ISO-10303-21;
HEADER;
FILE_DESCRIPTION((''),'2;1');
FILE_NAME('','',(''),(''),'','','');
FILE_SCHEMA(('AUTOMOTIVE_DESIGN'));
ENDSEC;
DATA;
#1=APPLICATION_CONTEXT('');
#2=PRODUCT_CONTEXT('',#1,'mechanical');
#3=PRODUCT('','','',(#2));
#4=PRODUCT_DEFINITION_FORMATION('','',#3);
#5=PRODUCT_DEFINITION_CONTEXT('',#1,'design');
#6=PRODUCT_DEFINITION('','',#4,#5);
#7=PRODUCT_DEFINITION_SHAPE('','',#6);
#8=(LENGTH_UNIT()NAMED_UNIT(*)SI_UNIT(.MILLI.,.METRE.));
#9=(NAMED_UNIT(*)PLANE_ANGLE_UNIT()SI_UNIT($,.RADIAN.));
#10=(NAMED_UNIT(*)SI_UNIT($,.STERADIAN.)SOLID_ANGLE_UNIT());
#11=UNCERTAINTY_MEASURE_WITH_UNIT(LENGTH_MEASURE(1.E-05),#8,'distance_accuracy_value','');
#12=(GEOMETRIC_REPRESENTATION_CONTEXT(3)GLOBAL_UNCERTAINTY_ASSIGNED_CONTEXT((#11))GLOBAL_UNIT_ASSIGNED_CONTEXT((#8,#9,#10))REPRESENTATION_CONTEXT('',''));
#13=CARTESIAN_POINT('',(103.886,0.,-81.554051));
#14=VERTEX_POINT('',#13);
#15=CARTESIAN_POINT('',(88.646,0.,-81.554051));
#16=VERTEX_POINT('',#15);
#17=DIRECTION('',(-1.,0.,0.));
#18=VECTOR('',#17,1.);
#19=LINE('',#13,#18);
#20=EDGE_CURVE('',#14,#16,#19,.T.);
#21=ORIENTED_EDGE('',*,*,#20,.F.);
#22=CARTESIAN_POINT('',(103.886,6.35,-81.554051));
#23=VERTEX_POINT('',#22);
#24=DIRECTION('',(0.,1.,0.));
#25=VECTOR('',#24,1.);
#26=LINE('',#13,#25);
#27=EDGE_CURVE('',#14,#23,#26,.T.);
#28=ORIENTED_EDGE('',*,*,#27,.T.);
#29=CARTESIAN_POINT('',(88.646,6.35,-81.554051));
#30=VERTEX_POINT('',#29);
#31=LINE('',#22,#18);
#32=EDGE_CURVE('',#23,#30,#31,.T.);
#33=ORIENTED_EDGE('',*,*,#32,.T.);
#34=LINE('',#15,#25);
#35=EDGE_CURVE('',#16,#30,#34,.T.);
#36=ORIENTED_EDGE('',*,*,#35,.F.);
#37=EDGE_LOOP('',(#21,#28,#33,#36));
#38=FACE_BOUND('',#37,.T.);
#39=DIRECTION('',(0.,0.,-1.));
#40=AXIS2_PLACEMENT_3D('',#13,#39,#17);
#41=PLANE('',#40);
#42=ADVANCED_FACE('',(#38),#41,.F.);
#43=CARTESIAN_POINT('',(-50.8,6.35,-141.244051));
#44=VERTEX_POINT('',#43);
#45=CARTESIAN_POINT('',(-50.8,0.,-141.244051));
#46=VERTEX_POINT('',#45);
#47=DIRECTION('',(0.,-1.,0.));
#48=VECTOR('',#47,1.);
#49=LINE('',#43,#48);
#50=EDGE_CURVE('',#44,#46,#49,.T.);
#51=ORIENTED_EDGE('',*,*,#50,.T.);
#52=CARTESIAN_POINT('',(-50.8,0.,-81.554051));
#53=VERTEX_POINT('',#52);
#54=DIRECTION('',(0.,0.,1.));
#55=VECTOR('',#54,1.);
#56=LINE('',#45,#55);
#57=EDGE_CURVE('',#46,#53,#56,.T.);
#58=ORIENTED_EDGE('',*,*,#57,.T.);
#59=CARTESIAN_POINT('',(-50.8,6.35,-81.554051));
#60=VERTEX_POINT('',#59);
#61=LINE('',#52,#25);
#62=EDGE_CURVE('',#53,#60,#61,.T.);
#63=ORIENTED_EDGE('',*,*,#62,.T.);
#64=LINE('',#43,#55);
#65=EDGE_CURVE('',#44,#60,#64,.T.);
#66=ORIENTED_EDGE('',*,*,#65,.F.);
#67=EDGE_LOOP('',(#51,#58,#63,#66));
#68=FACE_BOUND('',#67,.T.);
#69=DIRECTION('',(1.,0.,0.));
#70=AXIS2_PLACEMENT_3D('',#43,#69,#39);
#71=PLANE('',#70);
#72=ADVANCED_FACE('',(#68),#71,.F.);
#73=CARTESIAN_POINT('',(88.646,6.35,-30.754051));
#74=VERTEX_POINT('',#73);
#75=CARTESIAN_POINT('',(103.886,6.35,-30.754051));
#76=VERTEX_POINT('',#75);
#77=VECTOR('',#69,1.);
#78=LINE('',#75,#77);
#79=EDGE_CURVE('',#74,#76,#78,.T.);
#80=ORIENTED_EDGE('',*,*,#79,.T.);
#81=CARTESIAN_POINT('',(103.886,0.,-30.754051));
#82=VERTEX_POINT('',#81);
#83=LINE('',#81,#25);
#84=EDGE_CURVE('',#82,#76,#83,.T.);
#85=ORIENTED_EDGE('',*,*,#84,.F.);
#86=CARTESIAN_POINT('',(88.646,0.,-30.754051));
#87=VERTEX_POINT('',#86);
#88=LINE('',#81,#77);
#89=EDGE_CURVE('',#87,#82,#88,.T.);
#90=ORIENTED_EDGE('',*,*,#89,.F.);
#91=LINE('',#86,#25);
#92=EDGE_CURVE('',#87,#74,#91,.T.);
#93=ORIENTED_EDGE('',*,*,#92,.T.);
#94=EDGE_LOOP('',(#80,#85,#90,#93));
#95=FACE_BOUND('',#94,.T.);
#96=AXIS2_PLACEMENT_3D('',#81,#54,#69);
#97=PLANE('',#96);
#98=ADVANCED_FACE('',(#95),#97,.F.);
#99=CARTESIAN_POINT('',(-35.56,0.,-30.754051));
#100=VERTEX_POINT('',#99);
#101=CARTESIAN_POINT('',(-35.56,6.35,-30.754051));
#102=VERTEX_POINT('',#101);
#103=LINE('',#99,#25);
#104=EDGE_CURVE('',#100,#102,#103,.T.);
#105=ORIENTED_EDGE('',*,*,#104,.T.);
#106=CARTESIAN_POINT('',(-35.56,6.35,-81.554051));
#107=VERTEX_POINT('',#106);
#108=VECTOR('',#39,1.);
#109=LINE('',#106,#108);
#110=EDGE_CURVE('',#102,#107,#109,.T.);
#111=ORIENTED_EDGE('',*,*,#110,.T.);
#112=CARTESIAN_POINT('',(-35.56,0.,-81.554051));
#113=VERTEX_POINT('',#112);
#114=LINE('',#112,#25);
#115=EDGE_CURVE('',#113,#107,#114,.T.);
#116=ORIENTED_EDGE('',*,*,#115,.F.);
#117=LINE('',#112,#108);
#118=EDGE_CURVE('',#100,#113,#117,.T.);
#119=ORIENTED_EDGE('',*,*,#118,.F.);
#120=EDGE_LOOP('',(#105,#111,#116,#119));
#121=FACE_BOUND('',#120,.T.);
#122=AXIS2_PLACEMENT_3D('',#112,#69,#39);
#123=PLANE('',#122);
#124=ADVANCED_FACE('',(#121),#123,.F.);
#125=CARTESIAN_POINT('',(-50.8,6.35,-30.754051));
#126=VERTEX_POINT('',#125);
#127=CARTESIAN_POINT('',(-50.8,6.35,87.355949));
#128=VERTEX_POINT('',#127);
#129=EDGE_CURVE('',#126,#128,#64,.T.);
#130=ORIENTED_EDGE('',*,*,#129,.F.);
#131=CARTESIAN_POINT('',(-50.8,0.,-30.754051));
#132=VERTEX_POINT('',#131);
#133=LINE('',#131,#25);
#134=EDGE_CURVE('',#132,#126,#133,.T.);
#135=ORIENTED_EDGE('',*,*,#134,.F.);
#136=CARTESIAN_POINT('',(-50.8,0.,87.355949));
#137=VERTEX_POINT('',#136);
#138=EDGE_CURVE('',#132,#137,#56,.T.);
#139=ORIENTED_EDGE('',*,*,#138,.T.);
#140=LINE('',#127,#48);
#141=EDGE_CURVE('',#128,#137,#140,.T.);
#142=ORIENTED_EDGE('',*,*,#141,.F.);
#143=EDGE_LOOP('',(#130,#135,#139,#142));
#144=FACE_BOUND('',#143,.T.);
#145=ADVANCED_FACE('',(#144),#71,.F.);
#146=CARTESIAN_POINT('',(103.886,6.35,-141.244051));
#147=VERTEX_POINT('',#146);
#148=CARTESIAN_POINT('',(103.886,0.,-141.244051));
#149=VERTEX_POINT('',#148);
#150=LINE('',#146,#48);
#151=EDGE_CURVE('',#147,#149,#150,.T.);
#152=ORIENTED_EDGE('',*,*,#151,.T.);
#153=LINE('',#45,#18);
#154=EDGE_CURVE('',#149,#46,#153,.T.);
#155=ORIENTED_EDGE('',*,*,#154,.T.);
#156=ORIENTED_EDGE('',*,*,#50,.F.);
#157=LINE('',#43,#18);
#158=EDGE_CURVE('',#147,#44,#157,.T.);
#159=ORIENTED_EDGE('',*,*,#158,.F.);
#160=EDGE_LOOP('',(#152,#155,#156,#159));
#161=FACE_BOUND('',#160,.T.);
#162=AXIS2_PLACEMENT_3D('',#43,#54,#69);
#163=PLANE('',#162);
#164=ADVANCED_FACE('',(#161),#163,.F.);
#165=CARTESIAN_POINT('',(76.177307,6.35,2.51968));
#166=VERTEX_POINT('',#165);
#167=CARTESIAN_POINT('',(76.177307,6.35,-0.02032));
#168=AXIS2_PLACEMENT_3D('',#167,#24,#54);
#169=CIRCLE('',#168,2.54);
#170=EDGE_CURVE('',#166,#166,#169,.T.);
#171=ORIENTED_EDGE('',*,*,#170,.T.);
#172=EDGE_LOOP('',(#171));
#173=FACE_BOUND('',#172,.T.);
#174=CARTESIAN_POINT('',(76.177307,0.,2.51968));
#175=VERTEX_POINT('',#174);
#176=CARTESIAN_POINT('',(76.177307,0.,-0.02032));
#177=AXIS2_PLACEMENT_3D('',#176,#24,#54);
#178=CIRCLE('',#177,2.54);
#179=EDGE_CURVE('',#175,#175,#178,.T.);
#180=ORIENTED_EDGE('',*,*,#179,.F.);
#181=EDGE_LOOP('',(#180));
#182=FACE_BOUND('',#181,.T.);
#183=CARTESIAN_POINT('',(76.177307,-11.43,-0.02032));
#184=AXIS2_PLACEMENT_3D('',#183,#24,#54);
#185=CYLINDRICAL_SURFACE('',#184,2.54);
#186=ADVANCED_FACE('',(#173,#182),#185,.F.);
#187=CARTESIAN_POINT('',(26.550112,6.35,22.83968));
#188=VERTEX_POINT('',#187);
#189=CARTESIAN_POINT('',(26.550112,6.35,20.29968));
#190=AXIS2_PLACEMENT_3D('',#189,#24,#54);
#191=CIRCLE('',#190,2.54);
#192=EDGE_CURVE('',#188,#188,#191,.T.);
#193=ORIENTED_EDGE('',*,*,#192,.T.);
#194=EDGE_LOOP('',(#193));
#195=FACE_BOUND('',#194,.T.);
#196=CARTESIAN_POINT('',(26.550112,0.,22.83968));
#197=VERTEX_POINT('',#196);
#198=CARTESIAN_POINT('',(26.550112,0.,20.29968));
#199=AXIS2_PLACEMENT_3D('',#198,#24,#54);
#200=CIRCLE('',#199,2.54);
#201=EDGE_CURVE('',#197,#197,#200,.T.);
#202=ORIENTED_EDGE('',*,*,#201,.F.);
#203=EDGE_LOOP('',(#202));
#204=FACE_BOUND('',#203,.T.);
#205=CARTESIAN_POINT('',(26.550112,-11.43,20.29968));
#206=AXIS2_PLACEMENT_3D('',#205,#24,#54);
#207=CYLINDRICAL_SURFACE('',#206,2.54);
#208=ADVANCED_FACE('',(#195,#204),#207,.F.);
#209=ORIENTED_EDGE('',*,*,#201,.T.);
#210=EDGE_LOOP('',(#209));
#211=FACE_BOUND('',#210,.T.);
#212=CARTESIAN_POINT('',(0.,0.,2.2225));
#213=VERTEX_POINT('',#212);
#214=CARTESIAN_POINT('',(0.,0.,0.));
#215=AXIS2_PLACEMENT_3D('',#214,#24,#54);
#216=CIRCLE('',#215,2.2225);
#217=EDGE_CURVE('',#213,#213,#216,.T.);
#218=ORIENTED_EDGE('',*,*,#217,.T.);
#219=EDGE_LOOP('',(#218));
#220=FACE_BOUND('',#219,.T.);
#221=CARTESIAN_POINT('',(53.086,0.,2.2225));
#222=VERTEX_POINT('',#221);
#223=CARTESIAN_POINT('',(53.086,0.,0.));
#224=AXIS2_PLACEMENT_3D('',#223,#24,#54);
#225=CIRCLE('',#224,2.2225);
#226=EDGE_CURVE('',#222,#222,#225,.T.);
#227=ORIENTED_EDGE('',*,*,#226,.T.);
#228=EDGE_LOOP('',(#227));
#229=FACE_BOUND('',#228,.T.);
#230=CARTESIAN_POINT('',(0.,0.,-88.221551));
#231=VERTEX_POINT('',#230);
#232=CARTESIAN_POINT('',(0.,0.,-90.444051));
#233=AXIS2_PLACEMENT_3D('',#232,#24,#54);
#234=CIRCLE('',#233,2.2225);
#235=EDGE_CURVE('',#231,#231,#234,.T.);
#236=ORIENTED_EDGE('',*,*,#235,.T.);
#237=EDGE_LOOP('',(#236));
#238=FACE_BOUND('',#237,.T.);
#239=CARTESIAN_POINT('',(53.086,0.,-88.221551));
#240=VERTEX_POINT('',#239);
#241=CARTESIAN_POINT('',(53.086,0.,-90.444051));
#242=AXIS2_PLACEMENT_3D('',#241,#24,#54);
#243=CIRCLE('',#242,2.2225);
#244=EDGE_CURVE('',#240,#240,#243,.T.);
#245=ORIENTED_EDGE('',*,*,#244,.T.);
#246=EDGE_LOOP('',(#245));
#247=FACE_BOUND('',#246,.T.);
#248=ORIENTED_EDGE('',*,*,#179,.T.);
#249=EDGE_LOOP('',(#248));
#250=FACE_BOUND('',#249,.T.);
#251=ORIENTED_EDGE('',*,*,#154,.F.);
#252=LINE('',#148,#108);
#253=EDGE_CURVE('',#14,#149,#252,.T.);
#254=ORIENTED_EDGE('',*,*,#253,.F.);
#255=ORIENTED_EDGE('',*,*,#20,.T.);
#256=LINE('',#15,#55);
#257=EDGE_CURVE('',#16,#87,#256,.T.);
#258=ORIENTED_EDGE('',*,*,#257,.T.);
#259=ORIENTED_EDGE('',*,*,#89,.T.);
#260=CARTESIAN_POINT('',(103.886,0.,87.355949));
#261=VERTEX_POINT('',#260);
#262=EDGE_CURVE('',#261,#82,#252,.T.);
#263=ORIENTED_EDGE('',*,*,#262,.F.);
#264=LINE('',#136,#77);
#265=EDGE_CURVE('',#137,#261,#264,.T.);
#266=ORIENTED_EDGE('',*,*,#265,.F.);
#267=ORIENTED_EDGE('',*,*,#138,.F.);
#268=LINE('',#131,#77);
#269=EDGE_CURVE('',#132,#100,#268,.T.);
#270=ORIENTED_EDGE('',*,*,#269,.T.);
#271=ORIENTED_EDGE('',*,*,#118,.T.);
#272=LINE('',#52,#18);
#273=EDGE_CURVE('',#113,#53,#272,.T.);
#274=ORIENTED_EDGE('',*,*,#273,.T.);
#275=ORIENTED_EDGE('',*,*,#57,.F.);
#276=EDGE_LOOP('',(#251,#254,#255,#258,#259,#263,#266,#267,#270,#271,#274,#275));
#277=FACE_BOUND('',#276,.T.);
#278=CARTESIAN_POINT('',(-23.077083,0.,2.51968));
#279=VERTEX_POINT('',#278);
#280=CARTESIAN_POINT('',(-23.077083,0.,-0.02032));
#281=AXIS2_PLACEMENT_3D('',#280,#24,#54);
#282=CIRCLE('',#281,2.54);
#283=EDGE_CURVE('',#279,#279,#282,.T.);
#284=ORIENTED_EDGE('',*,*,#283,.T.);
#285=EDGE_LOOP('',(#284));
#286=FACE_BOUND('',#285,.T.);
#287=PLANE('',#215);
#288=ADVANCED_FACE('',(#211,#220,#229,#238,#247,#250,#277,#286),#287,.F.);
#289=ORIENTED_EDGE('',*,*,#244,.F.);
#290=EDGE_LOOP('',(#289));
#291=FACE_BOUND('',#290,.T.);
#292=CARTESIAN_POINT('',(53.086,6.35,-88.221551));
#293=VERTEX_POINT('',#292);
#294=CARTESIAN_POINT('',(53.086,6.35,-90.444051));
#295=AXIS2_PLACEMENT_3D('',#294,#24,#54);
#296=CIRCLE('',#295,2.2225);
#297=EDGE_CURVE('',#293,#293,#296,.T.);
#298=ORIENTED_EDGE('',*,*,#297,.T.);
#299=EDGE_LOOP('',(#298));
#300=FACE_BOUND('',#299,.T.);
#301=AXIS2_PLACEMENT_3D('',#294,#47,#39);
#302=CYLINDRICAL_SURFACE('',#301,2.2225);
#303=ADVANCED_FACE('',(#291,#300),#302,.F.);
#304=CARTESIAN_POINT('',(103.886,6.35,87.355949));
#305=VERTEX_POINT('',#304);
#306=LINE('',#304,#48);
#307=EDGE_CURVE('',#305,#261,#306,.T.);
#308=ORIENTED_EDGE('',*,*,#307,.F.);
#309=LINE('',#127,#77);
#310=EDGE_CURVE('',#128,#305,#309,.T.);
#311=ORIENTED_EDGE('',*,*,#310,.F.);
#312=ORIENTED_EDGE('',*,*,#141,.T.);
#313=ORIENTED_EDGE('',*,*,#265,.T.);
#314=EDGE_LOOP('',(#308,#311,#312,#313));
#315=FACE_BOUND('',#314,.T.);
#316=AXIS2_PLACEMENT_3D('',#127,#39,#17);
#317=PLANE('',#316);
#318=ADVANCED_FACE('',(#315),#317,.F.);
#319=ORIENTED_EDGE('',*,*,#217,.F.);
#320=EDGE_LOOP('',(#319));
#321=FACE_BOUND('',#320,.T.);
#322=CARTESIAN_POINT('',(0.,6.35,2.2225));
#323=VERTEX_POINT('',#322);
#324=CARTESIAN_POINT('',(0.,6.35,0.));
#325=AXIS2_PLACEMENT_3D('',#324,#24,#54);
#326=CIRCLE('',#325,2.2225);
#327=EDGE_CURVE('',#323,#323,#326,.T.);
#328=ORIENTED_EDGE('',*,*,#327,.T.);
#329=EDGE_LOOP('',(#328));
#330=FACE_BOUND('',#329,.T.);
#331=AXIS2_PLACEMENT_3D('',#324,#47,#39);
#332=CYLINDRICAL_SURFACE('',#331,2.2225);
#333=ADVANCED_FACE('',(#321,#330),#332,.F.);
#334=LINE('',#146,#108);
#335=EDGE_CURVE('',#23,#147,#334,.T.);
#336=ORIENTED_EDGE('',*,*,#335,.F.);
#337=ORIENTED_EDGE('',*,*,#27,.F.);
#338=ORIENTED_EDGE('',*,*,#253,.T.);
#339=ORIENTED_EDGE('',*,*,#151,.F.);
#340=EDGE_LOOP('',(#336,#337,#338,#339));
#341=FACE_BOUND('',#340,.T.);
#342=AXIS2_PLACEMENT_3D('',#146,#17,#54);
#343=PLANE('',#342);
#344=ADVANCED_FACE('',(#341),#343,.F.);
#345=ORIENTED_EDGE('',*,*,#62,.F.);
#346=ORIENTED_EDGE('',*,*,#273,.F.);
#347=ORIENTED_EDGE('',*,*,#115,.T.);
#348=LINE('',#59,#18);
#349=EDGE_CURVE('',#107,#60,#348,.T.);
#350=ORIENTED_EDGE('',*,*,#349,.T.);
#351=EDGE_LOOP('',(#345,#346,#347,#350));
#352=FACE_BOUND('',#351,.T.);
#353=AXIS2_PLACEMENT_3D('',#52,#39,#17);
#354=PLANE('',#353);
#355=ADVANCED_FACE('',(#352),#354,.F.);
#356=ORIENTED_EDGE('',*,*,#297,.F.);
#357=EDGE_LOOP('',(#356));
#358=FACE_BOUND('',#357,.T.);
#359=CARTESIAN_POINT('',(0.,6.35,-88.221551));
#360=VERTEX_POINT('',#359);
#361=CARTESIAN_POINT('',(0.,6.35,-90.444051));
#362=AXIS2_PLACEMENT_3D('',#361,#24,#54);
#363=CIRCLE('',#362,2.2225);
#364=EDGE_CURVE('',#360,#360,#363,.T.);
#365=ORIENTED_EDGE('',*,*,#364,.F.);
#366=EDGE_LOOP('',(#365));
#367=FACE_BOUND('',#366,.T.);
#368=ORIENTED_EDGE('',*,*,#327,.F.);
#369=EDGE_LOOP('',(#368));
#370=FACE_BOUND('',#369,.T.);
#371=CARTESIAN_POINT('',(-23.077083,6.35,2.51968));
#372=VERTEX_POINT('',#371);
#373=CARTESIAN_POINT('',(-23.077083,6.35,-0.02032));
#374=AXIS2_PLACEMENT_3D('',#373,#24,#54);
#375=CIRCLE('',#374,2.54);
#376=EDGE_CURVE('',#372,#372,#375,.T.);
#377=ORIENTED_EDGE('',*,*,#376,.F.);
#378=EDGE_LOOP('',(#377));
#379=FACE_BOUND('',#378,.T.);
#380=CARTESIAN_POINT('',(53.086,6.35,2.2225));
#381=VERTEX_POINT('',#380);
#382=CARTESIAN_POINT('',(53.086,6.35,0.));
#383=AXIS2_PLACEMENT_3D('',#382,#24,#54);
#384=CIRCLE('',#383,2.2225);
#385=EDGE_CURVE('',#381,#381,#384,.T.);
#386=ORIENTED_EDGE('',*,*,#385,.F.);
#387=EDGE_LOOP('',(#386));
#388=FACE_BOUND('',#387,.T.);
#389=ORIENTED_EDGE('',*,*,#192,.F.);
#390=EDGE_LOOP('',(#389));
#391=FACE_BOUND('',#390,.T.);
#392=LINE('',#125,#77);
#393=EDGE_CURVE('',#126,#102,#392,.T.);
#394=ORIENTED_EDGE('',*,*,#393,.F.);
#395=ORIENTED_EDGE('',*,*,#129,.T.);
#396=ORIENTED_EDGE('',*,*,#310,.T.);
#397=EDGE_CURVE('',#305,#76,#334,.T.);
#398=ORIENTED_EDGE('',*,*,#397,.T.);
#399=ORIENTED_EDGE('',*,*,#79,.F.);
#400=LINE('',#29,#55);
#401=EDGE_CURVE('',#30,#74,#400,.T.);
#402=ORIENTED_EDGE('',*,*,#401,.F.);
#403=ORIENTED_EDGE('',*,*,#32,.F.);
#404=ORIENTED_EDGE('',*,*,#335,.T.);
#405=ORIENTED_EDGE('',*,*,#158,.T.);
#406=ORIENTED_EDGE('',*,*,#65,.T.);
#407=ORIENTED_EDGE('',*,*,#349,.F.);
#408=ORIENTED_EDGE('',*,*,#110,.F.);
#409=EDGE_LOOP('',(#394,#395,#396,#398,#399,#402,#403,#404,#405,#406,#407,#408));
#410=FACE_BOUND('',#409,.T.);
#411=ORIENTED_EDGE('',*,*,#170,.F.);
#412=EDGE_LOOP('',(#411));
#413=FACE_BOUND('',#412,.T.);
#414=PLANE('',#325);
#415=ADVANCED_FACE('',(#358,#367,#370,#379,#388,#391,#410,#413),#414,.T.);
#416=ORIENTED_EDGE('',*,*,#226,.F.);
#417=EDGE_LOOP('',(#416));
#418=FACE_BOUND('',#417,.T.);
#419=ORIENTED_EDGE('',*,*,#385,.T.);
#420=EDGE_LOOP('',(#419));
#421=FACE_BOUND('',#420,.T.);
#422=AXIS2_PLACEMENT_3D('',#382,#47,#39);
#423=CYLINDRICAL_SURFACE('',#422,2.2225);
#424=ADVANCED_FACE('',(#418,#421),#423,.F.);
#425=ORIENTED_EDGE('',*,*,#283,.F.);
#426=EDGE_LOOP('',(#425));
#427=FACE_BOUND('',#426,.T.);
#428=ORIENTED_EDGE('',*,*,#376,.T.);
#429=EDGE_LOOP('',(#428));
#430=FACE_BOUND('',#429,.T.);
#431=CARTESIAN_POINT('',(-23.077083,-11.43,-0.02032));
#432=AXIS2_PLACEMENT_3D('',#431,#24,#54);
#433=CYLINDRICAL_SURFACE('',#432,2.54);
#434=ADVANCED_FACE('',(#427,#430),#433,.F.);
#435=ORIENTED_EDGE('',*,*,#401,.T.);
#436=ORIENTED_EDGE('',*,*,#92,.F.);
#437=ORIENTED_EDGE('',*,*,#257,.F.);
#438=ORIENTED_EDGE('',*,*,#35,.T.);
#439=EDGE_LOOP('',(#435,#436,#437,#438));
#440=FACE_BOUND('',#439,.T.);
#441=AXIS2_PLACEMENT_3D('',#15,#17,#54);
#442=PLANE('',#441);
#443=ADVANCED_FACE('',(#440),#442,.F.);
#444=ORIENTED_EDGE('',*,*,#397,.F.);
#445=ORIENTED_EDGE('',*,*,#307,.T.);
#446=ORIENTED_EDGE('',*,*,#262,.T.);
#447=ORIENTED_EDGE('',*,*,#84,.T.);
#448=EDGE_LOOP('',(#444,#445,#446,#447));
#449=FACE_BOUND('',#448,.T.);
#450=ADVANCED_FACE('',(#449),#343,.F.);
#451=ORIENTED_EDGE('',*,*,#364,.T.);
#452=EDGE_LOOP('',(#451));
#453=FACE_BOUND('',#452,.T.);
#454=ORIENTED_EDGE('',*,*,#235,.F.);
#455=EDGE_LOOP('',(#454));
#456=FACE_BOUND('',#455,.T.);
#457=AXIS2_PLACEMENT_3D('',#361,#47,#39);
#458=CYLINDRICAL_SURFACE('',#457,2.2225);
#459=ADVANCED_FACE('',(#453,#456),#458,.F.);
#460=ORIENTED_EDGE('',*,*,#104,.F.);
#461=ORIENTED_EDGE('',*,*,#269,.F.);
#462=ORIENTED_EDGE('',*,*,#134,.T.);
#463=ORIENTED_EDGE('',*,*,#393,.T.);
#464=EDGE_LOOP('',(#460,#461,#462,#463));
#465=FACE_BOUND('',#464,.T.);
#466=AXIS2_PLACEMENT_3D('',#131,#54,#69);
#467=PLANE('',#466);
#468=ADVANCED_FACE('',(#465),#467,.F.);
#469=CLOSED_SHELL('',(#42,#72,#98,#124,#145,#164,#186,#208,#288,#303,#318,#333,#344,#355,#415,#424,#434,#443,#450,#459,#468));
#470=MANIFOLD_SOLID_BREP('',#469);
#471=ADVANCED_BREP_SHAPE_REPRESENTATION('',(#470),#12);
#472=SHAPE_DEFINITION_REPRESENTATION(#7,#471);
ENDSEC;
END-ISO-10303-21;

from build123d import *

# Parameters (mm, degrees)
SKETCH2_W           = 154.686
SKETCH2_H           = 228.6
BOSS_EXTRUDE1_DEPTH = 6.35
SKETCH1_R           = 2.2225
CUT_EXTRUDE1_DEPTH  = 6.35
SKETCH3_W           = 15.24
SKETCH3_H           = 50.8
CUT_EXTRUDE2_DEPTH  = 6.35
SKETCH8_R           = 2.54
CUT_EXTRUDE3_DEPTH  = 17.78


with BuildPart() as part:
    # Sketch2 → Boss-Extrude1 (new body)
    with BuildSketch(Plane(origin=(0, 0, 0), x_dir=(1, 0, 0), z_dir=(0, 1, 0))):
        with Locations((26.543, 26.944051327)):
            Rectangle(SKETCH2_W, SKETCH2_H)
    extrude(amount=BOSS_EXTRUDE1_DEPTH)

    # Sketch1 → Cut-Extrude1 (cut)
    with BuildSketch(Plane(origin=(0, 0, 0), x_dir=(1, 0, 0), z_dir=(0, 1, 0))):
        with Locations((0, 90.444051327)):
            Circle(SKETCH1_R)
        with Locations((53.086, 90.444051327)):
            Circle(SKETCH1_R)
        Circle(SKETCH1_R)
        with Locations((53.086, 0)):
            Circle(SKETCH1_R)
    extrude(amount=CUT_EXTRUDE1_DEPTH, mode=Mode.SUBTRACT)

    # Sketch3 → Cut-Extrude2 (cut)
    with BuildSketch(Plane(origin=(0, 6.35, 0), x_dir=(1, 0, 0), z_dir=(0, 1, 0))):
        with Locations((96.266, 56.154051327)):
            Rectangle(SKETCH3_W, SKETCH3_H)
        with Locations((-43.18, 56.154051327)):
            Rectangle(SKETCH3_W, SKETCH3_H)
    extrude(amount=-CUT_EXTRUDE2_DEPTH, mode=Mode.SUBTRACT)

    # Sketch8 → Cut-Extrude3 (cut)
    with BuildSketch(Plane(origin=(0, 6.35, 0), x_dir=(1, 0, 0), z_dir=(0, 1, 0))):
        with Locations((26.550112, -20.29968)):
            Circle(SKETCH8_R)
        with Locations((-23.077082804, 0.02032)):
            Circle(SKETCH8_R)
        with Locations((76.177306804, 0.02032)):
            Circle(SKETCH8_R)
    extrude(amount=-CUT_EXTRUDE3_DEPTH, mode=Mode.SUBTRACT)


solid = part.part
